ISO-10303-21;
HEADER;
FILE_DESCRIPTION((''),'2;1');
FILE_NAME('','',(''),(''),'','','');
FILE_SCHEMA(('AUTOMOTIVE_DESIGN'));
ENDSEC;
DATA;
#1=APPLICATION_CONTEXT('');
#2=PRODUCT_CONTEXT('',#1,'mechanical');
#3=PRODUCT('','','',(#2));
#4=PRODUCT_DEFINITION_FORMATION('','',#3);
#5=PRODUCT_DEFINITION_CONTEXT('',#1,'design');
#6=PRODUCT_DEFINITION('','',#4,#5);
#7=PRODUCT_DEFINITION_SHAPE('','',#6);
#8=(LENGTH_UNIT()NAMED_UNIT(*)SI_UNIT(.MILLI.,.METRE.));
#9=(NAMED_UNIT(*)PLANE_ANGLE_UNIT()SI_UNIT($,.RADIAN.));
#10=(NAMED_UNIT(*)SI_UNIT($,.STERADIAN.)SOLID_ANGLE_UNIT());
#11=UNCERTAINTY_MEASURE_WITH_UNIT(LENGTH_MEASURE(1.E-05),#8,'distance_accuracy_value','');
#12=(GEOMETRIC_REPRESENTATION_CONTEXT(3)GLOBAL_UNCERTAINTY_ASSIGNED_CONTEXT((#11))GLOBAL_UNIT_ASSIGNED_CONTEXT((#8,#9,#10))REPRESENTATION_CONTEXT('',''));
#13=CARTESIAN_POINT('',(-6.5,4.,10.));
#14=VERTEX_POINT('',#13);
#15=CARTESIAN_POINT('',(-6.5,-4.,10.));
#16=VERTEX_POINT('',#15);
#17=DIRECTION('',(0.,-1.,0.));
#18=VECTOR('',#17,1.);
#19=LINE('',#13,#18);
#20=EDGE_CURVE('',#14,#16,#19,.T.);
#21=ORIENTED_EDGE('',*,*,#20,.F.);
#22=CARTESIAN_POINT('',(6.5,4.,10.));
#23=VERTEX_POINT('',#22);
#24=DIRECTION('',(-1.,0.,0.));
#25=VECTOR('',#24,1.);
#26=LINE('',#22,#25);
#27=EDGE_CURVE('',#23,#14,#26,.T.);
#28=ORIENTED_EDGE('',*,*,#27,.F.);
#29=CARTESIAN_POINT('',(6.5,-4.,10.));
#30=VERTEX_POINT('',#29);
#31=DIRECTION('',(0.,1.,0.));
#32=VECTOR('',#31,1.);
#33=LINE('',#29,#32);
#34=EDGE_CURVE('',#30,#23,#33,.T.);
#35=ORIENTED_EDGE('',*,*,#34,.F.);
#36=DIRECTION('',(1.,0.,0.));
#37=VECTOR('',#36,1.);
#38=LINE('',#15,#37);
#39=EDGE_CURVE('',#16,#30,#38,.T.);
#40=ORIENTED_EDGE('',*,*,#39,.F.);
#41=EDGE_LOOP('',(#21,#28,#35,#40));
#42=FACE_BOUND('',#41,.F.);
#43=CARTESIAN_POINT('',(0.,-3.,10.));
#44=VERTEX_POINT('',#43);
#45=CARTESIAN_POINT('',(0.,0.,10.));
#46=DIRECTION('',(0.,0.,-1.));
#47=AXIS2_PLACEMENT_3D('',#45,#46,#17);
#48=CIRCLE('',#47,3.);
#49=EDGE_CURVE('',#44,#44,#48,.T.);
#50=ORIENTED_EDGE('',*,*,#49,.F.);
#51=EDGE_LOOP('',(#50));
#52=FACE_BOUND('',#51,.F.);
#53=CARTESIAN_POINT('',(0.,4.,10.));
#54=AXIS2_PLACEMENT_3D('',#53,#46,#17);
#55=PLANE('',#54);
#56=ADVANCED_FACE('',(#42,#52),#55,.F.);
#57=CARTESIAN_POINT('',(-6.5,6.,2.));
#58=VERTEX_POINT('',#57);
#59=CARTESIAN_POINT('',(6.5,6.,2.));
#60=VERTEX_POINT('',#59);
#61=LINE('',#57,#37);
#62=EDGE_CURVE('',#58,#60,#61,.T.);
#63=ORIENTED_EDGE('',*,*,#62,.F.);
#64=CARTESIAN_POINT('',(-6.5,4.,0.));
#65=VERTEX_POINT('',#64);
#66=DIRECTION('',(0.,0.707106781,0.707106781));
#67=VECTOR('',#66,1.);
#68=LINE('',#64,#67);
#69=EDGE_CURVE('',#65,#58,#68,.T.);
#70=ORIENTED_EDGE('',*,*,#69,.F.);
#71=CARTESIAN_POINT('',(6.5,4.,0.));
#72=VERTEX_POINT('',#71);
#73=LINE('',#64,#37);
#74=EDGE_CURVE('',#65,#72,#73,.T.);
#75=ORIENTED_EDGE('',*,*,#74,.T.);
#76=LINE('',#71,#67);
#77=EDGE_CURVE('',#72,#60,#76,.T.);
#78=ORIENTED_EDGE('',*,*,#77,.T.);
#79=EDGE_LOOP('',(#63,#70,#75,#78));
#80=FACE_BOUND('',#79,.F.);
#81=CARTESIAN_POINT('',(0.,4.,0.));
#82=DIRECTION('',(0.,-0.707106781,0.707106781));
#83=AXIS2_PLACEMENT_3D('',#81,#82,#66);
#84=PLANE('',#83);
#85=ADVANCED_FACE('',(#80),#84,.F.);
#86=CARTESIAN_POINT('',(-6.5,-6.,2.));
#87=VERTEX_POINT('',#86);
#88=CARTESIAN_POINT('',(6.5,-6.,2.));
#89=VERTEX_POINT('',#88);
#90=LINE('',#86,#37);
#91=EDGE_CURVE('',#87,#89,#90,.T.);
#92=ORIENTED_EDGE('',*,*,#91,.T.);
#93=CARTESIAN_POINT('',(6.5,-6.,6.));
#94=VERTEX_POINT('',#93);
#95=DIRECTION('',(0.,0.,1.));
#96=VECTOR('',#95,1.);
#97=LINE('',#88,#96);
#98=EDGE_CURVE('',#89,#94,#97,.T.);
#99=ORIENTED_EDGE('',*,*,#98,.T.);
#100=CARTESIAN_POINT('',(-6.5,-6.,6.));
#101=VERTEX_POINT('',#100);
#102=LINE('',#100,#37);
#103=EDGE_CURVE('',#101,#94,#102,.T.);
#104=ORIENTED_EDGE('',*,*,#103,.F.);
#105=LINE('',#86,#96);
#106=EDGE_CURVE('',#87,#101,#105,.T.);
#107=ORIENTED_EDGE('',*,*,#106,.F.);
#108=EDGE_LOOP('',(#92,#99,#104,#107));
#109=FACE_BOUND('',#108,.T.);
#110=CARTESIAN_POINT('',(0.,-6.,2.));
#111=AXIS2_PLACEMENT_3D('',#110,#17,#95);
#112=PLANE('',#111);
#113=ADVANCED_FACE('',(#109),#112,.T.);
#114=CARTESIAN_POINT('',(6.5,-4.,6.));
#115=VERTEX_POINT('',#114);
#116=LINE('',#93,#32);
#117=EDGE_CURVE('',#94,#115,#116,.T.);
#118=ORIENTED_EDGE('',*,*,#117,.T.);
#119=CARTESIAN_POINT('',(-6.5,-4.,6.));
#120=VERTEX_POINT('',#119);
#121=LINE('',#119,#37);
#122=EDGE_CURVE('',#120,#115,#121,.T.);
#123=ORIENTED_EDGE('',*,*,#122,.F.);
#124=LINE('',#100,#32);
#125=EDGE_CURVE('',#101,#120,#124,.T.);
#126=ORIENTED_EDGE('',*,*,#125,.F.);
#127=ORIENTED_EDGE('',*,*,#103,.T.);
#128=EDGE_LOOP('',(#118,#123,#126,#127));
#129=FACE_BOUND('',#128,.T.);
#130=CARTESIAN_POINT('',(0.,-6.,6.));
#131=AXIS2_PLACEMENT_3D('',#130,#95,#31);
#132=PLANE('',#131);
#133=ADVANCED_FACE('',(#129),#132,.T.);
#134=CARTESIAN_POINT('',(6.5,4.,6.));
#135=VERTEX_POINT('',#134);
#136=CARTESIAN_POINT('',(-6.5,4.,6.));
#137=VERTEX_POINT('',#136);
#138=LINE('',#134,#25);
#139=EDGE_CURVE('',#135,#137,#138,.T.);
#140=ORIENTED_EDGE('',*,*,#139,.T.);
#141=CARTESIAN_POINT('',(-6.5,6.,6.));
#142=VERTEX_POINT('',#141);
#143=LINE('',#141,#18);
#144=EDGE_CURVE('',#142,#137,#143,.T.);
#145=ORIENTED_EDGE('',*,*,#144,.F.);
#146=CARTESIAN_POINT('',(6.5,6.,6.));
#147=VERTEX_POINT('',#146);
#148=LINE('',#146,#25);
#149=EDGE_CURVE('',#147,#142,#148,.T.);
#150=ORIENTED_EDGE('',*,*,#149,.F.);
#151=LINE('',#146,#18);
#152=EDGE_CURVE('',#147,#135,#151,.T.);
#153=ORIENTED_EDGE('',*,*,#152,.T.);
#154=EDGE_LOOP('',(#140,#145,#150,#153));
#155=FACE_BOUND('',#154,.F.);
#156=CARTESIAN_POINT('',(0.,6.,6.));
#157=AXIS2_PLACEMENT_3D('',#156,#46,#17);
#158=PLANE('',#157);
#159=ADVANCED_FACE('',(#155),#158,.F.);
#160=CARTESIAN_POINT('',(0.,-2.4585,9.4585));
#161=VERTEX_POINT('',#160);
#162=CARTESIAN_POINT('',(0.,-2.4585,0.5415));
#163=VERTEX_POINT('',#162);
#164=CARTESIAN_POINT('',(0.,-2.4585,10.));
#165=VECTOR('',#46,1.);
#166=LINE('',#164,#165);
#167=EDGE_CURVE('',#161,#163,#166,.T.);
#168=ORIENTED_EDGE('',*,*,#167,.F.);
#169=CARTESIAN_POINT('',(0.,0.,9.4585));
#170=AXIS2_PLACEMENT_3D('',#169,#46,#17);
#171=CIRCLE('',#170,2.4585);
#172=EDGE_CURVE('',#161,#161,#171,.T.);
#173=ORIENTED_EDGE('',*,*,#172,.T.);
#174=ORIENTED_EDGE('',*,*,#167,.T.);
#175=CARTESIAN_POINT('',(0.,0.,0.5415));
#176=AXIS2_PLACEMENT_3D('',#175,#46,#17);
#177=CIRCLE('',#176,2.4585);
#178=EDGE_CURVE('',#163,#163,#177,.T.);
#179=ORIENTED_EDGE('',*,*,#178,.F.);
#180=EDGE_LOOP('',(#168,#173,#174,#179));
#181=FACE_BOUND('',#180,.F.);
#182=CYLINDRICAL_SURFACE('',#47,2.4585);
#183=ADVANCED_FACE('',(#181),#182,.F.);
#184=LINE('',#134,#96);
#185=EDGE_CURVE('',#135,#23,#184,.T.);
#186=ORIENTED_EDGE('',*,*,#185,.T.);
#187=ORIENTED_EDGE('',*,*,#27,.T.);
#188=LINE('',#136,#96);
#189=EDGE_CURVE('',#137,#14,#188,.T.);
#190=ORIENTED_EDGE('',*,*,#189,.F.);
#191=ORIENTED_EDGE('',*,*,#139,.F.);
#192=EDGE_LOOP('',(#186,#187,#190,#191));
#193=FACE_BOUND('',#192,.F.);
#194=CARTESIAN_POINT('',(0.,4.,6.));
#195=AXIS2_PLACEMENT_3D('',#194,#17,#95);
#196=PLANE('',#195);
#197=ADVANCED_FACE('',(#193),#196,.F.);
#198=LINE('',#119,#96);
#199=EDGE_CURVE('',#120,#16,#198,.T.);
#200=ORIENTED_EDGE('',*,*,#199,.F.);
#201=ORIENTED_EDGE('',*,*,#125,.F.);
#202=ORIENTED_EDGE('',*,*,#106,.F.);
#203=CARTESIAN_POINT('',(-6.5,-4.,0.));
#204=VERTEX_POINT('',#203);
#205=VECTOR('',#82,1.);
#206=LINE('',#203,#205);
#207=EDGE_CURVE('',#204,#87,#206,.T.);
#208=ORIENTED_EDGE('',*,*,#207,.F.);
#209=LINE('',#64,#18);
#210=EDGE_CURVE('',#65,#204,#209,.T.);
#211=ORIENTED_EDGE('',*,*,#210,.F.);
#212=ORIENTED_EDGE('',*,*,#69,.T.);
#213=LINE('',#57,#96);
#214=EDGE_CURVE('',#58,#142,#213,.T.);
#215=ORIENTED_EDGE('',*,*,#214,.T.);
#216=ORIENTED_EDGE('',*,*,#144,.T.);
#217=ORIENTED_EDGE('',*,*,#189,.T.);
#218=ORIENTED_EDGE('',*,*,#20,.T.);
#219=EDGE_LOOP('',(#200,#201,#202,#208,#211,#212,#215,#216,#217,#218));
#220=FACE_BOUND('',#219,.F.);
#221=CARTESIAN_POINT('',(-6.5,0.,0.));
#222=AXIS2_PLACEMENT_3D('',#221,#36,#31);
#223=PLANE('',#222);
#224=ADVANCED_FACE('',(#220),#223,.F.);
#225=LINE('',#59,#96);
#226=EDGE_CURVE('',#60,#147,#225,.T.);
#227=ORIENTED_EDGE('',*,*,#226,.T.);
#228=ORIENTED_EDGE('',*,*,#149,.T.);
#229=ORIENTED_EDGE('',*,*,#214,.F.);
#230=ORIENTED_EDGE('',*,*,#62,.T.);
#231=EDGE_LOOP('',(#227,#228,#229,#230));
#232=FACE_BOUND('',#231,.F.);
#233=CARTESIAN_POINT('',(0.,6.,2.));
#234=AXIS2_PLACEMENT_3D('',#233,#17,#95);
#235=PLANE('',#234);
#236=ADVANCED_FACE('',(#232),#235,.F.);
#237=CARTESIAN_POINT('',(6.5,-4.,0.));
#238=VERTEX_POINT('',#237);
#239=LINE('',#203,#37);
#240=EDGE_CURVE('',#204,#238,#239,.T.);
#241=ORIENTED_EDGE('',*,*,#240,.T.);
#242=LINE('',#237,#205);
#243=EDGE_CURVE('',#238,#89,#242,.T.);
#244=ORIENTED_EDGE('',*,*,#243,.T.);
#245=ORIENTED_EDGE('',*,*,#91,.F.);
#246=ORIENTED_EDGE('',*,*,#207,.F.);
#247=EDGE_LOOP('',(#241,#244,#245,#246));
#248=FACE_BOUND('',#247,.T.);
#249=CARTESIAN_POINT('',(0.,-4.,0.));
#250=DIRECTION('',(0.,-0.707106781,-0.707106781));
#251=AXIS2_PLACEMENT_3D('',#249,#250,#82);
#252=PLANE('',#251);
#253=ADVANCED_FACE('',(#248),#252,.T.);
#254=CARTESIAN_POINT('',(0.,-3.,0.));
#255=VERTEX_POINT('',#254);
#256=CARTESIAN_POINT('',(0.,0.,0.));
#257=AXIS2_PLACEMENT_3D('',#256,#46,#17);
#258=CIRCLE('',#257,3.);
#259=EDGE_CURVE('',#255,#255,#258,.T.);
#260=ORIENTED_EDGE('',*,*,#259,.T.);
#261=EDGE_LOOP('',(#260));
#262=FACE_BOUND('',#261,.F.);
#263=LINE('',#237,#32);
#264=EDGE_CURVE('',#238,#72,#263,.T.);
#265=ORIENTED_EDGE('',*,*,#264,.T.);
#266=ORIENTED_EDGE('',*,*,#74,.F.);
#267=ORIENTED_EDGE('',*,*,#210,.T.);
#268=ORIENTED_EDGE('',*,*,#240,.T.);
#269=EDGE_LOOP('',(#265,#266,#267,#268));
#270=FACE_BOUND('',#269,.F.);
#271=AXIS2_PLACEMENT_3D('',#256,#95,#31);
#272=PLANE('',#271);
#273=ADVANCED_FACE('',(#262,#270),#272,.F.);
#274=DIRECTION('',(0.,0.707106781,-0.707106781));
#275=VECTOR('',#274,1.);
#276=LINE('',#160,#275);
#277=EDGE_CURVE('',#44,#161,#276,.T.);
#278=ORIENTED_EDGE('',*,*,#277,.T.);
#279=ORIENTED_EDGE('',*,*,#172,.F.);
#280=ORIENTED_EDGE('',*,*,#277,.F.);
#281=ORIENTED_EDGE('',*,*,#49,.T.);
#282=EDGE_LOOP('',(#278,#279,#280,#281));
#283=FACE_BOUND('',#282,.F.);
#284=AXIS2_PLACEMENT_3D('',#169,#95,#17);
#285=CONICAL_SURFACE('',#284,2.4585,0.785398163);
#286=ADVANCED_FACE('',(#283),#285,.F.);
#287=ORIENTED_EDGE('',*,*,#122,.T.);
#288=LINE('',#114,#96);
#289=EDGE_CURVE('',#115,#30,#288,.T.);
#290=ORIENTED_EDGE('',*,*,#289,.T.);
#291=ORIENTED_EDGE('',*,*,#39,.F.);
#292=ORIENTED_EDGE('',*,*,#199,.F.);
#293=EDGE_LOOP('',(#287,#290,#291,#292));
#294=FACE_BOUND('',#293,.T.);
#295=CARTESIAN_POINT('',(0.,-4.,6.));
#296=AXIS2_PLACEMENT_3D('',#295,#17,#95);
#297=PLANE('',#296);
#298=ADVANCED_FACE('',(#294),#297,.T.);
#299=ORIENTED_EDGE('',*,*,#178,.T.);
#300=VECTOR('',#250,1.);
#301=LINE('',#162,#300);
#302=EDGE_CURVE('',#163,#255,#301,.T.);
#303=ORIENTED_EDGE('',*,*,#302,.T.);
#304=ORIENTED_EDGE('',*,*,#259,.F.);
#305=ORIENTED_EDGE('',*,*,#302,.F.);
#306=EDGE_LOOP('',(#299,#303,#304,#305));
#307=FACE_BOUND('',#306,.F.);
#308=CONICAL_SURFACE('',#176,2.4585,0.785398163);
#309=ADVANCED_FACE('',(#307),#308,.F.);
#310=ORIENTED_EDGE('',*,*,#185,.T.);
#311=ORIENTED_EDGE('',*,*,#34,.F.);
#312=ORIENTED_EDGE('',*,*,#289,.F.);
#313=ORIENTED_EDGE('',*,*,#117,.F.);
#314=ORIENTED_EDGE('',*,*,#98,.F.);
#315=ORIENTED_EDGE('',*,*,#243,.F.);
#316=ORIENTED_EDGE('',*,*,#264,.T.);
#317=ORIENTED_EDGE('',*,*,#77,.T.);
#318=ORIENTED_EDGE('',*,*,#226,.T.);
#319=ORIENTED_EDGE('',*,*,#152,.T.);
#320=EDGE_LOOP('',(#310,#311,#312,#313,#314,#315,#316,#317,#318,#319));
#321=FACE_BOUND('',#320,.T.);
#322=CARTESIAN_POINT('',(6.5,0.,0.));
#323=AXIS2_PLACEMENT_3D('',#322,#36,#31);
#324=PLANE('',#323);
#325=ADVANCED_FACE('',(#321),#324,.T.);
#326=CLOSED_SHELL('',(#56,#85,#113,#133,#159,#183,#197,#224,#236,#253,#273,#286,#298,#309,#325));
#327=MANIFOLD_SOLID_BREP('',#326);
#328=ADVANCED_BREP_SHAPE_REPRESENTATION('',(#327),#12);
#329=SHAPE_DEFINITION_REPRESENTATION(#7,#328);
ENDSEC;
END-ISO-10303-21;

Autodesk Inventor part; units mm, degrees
ref_plane "YZ Plane" through (0, 0, 0) normal (1, 0, 0) x (0, 1, 0)
ref_plane "XZ Plane" through (0, 0, 0) normal (0, 1, 0) x (-1, 0, 0)
ref_plane "XY Plane" through (0, 0, 0) normal (0, 0, 1) x (1, 0, 0)
sketch "Sketch1" plane through (0, 0, 0) normal (1, 0, 0) x (0, 1, 0)
  line L0 (0, 0) -> (4, 0)
  line L1 (4, 0) -> (6, 2)
  line L2 (6, 2) -> (6, 6)
  line L3 (6, 6) -> (4, 6)
  line L4 (4, 6) -> (4, 10)
  line L5 (4, 10) -> (0, 10)
  line L6 (0, -2) -> (0, 12) projected
  line L7 (0, 0) -> (-4, 0)
  line L8 (-4, 0) -> (-6, 2)
  line L9 (-6, 2) -> (-6, 6)
  line L10 (-6, 6) -> (-4, 6)
  line L11 (-4, 6) -> (-4, 10)
  line L12 (-4, 10) -> (0, 10)
  dimension "d0" = 10
  dimension "d1" = 45
  dimension "d4" = 2
  dimension "d6" = 6
  dimension "d19" = 12
  dimension "d20" = 8
extrude "Extrusion1" add sketch "Sketch1" along normal mid plane 13
sketch "Sketch2" plane through (6.5, -4, 10) normal (0, 0, 1) x (0, 1, 0)
  point P0 (4, 6.5)
hole "Hole1" at (0, 0, 10) direction (0, 0, -1) diameter 4.917 end through all thread size "M6x1" class "6H" standard "ISO Metric profile"
chamfer "Chamfer1" distance 0.5415 angle 45 2 edges at (0, 2.4585, 10) (0, 2.4585, 0)
properties part number "T-Nutenstein 8 - M6" material "Steel"
